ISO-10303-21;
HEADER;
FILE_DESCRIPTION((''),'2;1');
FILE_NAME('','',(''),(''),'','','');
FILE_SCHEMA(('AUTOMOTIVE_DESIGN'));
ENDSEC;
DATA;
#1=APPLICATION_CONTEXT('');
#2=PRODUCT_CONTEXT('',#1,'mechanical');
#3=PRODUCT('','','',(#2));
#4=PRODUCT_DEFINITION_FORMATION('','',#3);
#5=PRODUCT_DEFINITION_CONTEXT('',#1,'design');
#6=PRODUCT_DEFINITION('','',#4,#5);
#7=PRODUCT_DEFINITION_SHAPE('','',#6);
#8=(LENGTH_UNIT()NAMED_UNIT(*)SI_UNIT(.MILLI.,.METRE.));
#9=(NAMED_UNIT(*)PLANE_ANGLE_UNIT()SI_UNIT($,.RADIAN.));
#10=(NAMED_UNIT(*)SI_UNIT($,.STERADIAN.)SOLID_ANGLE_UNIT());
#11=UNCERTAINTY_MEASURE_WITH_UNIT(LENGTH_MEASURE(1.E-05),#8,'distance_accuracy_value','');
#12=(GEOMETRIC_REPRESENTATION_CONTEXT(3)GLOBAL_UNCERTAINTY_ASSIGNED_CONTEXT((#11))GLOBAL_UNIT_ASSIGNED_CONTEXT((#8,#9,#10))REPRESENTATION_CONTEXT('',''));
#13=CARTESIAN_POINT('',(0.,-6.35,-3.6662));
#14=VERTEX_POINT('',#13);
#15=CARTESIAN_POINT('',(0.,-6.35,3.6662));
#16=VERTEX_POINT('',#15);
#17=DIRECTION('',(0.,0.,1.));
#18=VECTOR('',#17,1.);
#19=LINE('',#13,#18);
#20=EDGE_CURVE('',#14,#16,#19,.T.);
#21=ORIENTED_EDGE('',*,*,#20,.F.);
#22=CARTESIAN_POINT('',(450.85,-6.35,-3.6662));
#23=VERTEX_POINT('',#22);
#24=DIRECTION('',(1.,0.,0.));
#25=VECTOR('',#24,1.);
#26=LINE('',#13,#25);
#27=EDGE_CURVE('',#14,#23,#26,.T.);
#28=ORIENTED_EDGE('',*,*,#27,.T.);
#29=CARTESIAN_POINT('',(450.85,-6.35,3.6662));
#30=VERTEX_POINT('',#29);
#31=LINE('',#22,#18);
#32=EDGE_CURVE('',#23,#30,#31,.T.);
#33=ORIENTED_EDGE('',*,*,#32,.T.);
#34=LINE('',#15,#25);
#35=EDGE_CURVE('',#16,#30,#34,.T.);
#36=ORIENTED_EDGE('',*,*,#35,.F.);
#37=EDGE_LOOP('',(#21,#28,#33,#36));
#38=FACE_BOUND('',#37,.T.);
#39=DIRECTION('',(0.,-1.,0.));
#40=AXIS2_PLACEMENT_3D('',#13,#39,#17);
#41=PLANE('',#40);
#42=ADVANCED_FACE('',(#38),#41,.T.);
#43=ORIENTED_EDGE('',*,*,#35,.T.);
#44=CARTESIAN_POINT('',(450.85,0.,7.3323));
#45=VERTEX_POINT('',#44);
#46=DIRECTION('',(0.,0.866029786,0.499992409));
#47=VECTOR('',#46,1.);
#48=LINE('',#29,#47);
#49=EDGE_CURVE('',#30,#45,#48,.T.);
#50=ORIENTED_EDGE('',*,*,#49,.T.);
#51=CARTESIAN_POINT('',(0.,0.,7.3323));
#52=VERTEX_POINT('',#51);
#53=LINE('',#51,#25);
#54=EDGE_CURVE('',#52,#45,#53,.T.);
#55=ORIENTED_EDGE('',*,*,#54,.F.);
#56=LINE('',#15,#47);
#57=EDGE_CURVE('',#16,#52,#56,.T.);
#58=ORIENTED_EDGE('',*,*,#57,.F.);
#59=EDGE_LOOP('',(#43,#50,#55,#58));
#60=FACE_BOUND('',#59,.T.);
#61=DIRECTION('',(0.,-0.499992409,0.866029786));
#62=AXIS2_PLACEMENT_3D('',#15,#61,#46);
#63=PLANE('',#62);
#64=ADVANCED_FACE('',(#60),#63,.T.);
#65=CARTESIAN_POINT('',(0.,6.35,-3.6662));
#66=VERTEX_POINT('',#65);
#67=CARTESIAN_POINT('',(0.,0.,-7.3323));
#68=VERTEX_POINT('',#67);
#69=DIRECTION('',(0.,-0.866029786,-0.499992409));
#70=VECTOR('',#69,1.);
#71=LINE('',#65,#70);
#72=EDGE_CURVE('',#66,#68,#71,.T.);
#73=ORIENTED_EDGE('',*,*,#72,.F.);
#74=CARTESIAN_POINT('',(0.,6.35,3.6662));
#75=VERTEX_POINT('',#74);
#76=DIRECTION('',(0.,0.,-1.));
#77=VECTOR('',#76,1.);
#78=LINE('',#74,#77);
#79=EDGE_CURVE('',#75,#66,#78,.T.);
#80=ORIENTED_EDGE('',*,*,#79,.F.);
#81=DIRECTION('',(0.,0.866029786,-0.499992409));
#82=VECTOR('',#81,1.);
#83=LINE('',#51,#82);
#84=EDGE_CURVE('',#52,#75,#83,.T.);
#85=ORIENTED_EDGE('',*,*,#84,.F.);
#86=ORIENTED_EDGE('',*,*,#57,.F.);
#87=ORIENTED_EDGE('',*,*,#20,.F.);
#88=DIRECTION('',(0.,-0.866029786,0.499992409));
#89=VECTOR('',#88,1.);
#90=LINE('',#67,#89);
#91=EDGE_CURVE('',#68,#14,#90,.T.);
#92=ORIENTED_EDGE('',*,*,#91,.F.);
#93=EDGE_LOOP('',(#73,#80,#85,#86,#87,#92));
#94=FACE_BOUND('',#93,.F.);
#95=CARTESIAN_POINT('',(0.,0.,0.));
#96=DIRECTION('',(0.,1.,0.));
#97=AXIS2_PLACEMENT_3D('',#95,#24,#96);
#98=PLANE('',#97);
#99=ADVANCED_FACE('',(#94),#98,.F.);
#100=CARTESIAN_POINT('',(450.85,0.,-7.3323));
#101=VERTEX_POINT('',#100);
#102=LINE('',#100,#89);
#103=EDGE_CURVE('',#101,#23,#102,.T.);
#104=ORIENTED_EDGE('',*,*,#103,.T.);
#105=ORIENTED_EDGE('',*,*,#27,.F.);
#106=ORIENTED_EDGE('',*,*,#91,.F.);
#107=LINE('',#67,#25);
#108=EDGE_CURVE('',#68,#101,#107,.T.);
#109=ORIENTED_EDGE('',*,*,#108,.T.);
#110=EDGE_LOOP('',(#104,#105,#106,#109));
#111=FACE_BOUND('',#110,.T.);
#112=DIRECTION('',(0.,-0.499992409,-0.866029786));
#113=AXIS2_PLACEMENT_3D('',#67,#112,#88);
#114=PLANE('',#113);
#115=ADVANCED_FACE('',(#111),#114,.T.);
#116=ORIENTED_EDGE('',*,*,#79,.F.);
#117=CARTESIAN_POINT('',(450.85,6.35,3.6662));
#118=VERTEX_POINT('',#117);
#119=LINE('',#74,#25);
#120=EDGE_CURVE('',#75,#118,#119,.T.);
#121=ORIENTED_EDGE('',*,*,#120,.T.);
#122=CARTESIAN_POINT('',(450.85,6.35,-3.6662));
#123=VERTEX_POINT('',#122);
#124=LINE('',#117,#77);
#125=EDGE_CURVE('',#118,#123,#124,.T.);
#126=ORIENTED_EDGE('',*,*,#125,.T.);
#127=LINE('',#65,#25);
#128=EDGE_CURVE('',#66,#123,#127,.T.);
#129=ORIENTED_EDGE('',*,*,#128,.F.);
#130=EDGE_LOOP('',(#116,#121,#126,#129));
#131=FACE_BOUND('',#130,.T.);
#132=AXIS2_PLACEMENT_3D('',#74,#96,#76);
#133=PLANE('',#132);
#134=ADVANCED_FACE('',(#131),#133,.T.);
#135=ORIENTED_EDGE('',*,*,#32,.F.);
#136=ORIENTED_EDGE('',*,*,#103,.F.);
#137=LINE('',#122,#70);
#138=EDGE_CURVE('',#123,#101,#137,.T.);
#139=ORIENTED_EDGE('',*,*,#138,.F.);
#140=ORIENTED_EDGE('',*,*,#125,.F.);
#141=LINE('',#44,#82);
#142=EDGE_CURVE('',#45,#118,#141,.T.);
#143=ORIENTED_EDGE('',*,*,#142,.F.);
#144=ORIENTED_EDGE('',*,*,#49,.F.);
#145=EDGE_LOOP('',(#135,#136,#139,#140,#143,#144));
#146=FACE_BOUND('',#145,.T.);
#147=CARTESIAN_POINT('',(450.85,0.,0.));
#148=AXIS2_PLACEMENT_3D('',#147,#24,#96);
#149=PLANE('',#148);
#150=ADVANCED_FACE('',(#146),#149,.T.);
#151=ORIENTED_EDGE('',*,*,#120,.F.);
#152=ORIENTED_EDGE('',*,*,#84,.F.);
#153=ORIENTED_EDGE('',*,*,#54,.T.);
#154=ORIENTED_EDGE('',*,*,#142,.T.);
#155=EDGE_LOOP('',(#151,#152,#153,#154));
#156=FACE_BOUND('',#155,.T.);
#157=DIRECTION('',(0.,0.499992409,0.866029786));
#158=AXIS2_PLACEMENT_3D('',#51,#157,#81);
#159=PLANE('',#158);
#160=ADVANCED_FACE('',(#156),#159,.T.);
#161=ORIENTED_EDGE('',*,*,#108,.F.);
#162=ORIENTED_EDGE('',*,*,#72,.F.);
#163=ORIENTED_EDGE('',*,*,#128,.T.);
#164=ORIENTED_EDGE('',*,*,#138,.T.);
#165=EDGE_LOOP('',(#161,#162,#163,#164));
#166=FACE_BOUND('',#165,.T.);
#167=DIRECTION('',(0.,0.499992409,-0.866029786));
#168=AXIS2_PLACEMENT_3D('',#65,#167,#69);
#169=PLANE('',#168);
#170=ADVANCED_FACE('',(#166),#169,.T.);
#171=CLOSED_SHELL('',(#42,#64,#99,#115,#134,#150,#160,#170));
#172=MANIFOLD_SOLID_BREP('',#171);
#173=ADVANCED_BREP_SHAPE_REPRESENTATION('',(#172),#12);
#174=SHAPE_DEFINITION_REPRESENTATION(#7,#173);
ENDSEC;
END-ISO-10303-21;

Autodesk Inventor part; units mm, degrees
ref_plane "YZ Plane" through (0, 0, 0) normal (1, 0, 0) x (0, 1, 0)
ref_plane "XZ Plane" through (0, 0, 0) normal (0, 1, 0) x (-1, 0, 0)
ref_plane "XY Plane" through (0, 0, 0) normal (0, 0, 1) x (1, 0, 0)
sketch "Sketch1" plane through (0, 0, 0) normal (1, 0, 0) x (0, 1, 0)
  line L0 (6.35, 3.6662) -> (6.35, -3.6662)
  line L1 (6.35, -3.6662) -> (0, -7.3323)
  line L2 (0, -7.3323) -> (-6.35, -3.6662)
  line L3 (-6.35, -3.6662) -> (-6.35, 3.6662)
  line L4 (-6.35, 3.6662) -> (0, 7.3323)
  line L5 (0, 7.3323) -> (6.35, 3.6662)
  point P0 (0, 0)
  dimension "d0" = 12.7
  dimension "d1" = 12.7
  dimension "d2" = 12.7
  dimension "d3" = 6.35
  dimension "d4" = 120
  dimension "d5" = 120
  dimension "d6" = 6.35
  dimension "d7" = 6.35
extrude "Extrusion1" add sketch "Sketch1" along normal blind 450.85
properties part number "0.5 hex shaft"
